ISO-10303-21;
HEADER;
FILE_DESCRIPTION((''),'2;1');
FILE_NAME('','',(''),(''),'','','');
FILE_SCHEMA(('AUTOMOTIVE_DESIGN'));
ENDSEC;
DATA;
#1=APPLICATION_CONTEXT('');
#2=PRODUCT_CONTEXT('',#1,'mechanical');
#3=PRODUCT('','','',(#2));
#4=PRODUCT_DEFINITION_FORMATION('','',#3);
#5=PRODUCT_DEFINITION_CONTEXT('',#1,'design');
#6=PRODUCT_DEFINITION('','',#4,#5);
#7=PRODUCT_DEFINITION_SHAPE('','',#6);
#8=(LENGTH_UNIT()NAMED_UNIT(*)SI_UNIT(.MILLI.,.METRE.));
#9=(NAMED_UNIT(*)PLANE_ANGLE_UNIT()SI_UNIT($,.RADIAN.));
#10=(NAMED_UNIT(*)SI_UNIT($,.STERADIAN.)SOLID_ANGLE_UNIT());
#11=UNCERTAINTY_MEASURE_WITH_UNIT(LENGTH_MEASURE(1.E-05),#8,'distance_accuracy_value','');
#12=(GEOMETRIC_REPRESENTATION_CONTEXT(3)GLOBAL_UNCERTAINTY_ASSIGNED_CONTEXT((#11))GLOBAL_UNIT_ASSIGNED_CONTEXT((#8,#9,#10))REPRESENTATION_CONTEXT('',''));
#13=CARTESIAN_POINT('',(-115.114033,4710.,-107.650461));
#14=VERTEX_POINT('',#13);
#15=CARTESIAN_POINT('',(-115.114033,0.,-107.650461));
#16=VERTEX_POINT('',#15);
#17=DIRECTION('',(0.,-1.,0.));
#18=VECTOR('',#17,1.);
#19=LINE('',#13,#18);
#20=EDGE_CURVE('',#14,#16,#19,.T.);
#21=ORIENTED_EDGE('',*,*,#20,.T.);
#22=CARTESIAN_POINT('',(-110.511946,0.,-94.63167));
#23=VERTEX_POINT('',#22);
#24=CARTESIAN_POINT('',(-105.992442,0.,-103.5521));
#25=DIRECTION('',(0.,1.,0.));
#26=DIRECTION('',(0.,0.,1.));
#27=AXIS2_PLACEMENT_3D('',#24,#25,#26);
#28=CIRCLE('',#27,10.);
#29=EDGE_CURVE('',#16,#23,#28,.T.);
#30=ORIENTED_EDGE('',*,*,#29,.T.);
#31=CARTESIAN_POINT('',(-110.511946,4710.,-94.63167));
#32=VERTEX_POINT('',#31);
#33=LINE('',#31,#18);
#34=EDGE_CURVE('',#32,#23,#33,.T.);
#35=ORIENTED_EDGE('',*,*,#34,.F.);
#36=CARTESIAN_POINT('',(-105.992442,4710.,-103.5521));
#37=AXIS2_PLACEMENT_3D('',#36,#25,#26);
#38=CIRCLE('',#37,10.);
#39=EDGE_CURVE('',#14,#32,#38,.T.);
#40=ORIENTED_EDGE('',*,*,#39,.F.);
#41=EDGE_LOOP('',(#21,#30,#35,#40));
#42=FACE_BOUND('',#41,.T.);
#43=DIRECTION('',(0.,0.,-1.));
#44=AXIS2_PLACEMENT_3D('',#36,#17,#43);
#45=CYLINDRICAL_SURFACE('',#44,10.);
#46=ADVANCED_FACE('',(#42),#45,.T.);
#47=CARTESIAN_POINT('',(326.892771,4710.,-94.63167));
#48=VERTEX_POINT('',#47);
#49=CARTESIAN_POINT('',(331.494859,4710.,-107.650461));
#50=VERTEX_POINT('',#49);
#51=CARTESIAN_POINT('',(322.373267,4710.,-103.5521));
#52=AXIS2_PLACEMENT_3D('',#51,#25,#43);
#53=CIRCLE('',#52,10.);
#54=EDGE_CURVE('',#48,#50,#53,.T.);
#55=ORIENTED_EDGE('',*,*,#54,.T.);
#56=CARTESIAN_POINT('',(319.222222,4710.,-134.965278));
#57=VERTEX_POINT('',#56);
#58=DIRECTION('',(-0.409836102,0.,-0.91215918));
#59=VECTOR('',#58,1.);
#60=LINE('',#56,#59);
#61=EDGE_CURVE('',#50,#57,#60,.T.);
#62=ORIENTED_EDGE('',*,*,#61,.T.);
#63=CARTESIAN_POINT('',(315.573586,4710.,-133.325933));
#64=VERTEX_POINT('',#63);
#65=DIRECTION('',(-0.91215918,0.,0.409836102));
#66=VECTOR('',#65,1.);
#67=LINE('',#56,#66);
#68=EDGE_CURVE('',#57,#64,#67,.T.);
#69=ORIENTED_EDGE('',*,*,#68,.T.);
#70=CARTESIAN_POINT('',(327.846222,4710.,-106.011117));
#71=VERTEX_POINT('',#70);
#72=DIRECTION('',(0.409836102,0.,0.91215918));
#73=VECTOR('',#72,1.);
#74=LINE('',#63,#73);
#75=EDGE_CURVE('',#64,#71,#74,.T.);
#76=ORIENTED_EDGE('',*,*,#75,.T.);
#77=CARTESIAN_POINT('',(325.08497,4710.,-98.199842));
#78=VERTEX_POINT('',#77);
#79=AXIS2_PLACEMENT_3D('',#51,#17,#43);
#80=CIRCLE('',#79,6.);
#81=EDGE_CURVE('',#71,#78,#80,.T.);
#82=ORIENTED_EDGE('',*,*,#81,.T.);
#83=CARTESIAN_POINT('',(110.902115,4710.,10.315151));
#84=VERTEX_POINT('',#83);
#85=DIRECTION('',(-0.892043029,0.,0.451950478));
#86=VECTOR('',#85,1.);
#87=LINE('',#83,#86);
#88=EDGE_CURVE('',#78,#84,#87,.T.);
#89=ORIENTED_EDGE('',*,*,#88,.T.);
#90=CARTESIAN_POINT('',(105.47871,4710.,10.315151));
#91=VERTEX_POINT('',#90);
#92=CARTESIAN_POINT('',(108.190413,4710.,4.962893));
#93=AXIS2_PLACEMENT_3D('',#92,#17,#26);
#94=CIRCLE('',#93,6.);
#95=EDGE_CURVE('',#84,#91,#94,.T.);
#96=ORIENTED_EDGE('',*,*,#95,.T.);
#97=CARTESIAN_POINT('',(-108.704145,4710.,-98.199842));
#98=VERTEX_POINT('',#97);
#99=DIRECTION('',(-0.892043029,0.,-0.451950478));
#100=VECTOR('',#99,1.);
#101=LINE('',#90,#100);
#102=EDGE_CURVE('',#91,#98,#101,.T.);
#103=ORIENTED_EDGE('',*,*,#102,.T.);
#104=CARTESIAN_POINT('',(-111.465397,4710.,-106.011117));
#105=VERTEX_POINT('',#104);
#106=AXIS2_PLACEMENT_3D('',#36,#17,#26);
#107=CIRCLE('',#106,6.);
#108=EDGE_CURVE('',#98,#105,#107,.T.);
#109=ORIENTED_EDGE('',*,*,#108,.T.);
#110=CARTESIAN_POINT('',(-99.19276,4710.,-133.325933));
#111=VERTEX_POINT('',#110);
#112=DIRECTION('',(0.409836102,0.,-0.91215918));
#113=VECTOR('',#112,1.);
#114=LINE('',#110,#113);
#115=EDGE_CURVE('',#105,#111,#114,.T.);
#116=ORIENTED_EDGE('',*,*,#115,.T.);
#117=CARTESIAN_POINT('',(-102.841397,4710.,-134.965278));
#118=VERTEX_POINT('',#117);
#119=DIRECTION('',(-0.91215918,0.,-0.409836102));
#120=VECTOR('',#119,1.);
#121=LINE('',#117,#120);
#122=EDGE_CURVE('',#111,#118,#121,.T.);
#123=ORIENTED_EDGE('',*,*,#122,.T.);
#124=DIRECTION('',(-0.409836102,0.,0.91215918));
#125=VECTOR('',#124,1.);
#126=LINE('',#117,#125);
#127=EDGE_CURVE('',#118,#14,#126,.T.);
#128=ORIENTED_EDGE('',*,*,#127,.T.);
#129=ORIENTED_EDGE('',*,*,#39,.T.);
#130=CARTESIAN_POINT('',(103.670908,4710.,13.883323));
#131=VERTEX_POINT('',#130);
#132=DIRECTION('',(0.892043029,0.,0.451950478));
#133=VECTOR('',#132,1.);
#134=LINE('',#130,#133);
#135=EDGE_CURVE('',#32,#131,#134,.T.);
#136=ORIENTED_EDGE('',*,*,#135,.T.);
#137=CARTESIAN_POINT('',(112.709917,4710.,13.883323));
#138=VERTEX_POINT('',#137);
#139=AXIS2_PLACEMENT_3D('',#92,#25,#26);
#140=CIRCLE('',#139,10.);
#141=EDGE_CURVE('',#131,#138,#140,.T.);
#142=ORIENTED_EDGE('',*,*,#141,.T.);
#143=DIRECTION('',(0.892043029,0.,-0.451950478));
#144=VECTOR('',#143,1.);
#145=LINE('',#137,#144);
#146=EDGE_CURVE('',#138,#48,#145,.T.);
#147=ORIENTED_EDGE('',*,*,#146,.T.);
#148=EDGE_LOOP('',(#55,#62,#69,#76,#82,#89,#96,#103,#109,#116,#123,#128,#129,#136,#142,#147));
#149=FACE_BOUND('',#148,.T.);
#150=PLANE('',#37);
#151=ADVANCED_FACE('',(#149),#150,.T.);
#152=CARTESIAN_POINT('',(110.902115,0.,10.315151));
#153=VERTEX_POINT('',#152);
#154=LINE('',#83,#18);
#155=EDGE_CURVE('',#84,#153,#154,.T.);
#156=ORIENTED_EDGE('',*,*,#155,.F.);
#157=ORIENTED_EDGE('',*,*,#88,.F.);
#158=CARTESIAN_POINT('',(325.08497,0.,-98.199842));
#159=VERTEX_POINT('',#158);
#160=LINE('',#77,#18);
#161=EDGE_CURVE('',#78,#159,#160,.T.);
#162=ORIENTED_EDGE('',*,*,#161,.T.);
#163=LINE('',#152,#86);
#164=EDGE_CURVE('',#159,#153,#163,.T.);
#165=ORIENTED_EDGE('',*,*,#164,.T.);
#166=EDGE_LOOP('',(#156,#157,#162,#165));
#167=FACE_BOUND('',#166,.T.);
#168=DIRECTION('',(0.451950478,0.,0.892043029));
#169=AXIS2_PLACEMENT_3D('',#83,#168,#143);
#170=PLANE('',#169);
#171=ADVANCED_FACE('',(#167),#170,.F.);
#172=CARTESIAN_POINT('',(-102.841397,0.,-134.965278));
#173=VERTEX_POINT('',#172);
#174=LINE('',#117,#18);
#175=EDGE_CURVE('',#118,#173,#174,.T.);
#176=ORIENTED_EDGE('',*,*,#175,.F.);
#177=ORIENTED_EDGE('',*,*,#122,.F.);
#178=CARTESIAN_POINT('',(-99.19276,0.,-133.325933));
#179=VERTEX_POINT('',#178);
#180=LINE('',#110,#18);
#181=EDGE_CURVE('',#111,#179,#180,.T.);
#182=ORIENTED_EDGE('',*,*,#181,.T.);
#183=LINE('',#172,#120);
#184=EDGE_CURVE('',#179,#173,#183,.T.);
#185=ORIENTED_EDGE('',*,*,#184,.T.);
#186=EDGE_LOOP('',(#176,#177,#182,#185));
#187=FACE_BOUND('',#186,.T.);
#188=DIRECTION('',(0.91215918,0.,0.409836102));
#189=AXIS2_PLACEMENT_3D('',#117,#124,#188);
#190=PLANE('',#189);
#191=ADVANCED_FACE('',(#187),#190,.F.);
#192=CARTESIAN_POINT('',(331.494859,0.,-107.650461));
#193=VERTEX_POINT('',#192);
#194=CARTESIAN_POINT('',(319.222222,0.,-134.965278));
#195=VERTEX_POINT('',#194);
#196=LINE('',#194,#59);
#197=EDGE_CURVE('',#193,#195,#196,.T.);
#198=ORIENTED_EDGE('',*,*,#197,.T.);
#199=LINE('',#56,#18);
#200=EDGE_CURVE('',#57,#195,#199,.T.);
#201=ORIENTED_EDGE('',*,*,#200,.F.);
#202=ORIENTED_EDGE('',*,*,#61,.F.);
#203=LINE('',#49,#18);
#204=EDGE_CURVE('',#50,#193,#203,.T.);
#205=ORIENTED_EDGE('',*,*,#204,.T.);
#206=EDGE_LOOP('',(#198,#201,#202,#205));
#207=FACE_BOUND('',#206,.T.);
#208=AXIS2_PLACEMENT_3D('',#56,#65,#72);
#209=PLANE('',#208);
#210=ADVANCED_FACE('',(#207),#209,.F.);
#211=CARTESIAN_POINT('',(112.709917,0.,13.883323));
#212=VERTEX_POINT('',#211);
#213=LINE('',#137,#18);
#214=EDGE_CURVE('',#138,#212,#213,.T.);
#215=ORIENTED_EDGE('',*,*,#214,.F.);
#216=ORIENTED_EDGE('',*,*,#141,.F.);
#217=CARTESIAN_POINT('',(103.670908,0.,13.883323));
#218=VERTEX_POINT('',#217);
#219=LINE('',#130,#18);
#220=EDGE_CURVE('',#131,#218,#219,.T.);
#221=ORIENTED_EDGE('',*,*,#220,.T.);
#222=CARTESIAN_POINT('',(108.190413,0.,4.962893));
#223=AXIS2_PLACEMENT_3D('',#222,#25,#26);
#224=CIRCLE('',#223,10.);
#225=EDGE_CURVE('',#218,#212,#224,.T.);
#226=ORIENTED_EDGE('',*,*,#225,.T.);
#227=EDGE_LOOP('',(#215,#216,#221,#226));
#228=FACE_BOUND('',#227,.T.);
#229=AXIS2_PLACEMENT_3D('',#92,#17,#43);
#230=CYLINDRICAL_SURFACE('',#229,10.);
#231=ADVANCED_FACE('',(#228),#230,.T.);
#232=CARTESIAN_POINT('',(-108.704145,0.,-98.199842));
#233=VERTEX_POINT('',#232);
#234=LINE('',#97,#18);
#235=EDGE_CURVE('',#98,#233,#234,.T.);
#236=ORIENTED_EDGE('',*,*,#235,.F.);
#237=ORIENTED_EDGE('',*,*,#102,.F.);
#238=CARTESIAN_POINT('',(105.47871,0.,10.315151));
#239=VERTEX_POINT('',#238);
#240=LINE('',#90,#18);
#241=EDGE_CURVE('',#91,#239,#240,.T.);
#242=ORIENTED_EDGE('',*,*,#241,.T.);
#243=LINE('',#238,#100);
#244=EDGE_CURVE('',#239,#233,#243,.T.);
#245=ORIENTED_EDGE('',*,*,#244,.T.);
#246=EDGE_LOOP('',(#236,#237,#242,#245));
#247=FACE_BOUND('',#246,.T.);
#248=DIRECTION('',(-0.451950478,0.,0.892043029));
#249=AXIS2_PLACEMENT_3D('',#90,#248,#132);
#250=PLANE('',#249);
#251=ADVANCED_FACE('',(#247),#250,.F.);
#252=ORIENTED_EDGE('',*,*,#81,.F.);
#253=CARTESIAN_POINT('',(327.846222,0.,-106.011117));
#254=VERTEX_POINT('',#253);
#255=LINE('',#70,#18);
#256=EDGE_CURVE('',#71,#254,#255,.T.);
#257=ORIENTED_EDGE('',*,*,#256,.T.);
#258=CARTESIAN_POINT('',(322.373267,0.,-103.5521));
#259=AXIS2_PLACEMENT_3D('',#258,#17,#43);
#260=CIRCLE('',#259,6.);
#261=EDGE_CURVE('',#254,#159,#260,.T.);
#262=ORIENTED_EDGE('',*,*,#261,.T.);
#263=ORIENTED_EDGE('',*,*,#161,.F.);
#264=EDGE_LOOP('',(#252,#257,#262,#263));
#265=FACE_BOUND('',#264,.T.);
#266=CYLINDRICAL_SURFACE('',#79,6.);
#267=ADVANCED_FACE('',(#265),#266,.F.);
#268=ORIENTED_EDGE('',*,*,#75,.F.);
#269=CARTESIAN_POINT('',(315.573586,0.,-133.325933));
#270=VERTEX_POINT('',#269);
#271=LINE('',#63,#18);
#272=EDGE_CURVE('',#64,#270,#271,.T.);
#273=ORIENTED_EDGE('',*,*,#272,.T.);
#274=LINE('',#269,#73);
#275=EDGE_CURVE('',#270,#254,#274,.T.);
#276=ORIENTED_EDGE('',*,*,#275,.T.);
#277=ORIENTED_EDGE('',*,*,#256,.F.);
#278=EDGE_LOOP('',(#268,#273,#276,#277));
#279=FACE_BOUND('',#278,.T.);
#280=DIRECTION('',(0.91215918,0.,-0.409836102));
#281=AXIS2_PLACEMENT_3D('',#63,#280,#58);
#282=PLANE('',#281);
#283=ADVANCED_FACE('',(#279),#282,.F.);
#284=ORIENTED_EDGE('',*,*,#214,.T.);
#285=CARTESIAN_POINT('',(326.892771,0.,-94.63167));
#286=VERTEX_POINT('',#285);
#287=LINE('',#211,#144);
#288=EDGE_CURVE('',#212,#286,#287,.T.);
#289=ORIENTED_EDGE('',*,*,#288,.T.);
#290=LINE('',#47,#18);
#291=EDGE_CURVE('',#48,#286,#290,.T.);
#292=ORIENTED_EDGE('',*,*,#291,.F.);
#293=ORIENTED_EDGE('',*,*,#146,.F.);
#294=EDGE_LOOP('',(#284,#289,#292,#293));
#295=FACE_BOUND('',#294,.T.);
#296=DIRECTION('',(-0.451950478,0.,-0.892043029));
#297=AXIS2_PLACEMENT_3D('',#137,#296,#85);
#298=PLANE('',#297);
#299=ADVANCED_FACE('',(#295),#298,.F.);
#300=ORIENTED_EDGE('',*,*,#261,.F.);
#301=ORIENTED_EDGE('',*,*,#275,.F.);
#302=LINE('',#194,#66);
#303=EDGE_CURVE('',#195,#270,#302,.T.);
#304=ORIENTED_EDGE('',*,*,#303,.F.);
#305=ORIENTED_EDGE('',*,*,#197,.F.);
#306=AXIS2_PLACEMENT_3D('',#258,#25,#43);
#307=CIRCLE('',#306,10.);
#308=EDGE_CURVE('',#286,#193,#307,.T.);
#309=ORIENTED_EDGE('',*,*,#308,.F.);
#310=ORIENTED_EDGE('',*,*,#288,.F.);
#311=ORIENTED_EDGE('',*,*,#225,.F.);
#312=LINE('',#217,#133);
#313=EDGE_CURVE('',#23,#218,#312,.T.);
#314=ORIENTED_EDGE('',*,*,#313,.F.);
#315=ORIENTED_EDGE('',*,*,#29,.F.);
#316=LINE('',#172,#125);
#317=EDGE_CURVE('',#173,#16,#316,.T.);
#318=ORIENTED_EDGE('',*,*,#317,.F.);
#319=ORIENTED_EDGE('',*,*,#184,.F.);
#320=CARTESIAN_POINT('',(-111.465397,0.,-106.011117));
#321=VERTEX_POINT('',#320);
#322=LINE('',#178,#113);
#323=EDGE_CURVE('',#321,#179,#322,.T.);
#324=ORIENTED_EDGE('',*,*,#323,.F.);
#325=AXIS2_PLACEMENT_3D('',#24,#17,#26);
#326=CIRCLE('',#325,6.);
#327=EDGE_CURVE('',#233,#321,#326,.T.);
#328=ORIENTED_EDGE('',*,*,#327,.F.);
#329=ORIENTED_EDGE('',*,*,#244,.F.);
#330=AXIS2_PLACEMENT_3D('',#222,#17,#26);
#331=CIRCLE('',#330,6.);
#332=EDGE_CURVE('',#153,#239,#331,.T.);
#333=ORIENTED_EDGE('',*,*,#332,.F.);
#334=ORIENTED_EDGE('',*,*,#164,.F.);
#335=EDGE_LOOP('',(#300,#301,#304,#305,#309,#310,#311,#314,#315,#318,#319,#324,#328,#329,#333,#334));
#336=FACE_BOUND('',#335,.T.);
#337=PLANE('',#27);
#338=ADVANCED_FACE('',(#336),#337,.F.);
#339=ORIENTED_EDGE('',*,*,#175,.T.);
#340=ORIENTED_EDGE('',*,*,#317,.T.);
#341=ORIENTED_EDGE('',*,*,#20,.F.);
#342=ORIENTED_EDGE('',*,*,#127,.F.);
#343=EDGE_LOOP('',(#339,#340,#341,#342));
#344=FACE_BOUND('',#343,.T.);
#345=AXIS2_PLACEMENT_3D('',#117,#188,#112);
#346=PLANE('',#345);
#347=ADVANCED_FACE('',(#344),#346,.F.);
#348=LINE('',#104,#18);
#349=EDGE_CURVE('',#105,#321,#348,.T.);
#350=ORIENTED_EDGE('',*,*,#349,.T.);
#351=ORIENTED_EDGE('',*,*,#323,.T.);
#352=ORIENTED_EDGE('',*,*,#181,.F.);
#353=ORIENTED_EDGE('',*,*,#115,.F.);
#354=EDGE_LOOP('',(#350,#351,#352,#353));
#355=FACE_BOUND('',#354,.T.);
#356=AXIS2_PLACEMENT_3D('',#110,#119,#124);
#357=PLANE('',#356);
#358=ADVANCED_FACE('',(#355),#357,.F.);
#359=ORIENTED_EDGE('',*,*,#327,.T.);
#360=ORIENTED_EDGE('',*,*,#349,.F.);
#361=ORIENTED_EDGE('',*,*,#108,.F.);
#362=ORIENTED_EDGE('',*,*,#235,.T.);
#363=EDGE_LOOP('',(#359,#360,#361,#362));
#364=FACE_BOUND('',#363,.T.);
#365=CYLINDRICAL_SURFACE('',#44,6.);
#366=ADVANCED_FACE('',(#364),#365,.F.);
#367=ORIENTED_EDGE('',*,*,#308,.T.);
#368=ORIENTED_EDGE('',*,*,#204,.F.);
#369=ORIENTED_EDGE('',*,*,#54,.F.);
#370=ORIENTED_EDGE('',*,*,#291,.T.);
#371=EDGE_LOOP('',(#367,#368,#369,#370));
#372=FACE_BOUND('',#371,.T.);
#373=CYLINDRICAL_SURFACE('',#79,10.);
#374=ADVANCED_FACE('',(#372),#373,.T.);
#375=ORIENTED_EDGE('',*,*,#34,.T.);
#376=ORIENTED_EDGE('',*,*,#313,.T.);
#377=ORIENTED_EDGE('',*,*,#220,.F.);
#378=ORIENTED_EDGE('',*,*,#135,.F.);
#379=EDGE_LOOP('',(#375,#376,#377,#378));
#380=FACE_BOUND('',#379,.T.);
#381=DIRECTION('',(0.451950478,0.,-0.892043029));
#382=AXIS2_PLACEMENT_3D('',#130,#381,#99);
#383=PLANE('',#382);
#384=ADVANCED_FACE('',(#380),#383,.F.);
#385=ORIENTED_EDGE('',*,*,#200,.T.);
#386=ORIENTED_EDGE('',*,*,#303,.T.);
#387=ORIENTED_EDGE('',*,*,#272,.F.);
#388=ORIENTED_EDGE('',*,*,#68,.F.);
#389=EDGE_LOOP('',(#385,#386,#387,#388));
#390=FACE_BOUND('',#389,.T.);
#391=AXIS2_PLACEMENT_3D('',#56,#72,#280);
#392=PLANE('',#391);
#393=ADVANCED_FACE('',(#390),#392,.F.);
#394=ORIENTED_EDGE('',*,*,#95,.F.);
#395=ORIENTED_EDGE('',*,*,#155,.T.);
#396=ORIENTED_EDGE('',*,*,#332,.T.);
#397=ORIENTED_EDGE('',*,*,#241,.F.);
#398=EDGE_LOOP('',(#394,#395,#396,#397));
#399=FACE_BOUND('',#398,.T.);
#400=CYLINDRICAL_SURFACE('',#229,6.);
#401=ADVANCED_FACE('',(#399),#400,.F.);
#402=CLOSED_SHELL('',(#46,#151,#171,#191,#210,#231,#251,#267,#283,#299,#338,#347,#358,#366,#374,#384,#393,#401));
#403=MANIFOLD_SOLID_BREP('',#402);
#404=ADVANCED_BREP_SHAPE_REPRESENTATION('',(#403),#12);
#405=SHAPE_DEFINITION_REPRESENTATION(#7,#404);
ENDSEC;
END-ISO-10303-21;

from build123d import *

# Parameters (mm, degrees)
BOSS_EXTRUDE2_DEPTH = 4710


with BuildPart() as part:
    # Sketch1 → Boss-Extrude2 (new body)
    with BuildSketch(Plane(origin=(0, 0, 0), x_dir=(1, 0, 0), z_dir=(0, 1, 0))):
        with BuildLine():
            Line((319.222222222, 134.965277778), (331.494858512, 107.65046142))
            ThreePointArc((331.494858512, 107.65046142), (331.801527991, 100.219250383), (326.892771492, 94.631670113))
            Line((326.892771492, 94.631670113), (112.709917293, -13.883323219))
            ThreePointArc((112.709917293, -13.883323219), (108.190412513, -14.962892929), (103.670907733, -13.883323219))
            Line((103.670907733, -13.883323219), (-110.511946465, 94.631670113))
            ThreePointArc((-110.511946465, 94.631670113), (-115.420702964, 100.219250383), (-115.114033485, 107.65046142))
            Line((-115.114033485, 107.65046142), (-102.841397196, 134.965277778))
            Line((-102.841397196, 134.965277778), (-99.192760475, 133.325933371))
            Line((-99.192760475, 133.325933371), (-111.465396765, 106.011117013))
            ThreePointArc((-111.465396765, 106.011117013), (-111.649398452, 101.552390391), (-108.704144553, 98.199842229))
            Line((-108.704144553, 98.199842229), (105.478709645, -10.315151103))
            ThreePointArc((105.478709645, -10.315151103), (108.190412513, -10.962892929), (110.902115381, -10.315151103))
            Line((110.902115381, -10.315151103), (325.08496958, 98.199842229))
            ThreePointArc((325.08496958, 98.199842229), (328.030223479, 101.552390391), (327.846221792, 106.011117013))
            Line((327.846221792, 106.011117013), (315.573585502, 133.325933371))
            Line((315.573585502, 133.325933371), (319.222222222, 134.965277778))
        make_face()
    extrude(amount=BOSS_EXTRUDE2_DEPTH)


solid = part.part
